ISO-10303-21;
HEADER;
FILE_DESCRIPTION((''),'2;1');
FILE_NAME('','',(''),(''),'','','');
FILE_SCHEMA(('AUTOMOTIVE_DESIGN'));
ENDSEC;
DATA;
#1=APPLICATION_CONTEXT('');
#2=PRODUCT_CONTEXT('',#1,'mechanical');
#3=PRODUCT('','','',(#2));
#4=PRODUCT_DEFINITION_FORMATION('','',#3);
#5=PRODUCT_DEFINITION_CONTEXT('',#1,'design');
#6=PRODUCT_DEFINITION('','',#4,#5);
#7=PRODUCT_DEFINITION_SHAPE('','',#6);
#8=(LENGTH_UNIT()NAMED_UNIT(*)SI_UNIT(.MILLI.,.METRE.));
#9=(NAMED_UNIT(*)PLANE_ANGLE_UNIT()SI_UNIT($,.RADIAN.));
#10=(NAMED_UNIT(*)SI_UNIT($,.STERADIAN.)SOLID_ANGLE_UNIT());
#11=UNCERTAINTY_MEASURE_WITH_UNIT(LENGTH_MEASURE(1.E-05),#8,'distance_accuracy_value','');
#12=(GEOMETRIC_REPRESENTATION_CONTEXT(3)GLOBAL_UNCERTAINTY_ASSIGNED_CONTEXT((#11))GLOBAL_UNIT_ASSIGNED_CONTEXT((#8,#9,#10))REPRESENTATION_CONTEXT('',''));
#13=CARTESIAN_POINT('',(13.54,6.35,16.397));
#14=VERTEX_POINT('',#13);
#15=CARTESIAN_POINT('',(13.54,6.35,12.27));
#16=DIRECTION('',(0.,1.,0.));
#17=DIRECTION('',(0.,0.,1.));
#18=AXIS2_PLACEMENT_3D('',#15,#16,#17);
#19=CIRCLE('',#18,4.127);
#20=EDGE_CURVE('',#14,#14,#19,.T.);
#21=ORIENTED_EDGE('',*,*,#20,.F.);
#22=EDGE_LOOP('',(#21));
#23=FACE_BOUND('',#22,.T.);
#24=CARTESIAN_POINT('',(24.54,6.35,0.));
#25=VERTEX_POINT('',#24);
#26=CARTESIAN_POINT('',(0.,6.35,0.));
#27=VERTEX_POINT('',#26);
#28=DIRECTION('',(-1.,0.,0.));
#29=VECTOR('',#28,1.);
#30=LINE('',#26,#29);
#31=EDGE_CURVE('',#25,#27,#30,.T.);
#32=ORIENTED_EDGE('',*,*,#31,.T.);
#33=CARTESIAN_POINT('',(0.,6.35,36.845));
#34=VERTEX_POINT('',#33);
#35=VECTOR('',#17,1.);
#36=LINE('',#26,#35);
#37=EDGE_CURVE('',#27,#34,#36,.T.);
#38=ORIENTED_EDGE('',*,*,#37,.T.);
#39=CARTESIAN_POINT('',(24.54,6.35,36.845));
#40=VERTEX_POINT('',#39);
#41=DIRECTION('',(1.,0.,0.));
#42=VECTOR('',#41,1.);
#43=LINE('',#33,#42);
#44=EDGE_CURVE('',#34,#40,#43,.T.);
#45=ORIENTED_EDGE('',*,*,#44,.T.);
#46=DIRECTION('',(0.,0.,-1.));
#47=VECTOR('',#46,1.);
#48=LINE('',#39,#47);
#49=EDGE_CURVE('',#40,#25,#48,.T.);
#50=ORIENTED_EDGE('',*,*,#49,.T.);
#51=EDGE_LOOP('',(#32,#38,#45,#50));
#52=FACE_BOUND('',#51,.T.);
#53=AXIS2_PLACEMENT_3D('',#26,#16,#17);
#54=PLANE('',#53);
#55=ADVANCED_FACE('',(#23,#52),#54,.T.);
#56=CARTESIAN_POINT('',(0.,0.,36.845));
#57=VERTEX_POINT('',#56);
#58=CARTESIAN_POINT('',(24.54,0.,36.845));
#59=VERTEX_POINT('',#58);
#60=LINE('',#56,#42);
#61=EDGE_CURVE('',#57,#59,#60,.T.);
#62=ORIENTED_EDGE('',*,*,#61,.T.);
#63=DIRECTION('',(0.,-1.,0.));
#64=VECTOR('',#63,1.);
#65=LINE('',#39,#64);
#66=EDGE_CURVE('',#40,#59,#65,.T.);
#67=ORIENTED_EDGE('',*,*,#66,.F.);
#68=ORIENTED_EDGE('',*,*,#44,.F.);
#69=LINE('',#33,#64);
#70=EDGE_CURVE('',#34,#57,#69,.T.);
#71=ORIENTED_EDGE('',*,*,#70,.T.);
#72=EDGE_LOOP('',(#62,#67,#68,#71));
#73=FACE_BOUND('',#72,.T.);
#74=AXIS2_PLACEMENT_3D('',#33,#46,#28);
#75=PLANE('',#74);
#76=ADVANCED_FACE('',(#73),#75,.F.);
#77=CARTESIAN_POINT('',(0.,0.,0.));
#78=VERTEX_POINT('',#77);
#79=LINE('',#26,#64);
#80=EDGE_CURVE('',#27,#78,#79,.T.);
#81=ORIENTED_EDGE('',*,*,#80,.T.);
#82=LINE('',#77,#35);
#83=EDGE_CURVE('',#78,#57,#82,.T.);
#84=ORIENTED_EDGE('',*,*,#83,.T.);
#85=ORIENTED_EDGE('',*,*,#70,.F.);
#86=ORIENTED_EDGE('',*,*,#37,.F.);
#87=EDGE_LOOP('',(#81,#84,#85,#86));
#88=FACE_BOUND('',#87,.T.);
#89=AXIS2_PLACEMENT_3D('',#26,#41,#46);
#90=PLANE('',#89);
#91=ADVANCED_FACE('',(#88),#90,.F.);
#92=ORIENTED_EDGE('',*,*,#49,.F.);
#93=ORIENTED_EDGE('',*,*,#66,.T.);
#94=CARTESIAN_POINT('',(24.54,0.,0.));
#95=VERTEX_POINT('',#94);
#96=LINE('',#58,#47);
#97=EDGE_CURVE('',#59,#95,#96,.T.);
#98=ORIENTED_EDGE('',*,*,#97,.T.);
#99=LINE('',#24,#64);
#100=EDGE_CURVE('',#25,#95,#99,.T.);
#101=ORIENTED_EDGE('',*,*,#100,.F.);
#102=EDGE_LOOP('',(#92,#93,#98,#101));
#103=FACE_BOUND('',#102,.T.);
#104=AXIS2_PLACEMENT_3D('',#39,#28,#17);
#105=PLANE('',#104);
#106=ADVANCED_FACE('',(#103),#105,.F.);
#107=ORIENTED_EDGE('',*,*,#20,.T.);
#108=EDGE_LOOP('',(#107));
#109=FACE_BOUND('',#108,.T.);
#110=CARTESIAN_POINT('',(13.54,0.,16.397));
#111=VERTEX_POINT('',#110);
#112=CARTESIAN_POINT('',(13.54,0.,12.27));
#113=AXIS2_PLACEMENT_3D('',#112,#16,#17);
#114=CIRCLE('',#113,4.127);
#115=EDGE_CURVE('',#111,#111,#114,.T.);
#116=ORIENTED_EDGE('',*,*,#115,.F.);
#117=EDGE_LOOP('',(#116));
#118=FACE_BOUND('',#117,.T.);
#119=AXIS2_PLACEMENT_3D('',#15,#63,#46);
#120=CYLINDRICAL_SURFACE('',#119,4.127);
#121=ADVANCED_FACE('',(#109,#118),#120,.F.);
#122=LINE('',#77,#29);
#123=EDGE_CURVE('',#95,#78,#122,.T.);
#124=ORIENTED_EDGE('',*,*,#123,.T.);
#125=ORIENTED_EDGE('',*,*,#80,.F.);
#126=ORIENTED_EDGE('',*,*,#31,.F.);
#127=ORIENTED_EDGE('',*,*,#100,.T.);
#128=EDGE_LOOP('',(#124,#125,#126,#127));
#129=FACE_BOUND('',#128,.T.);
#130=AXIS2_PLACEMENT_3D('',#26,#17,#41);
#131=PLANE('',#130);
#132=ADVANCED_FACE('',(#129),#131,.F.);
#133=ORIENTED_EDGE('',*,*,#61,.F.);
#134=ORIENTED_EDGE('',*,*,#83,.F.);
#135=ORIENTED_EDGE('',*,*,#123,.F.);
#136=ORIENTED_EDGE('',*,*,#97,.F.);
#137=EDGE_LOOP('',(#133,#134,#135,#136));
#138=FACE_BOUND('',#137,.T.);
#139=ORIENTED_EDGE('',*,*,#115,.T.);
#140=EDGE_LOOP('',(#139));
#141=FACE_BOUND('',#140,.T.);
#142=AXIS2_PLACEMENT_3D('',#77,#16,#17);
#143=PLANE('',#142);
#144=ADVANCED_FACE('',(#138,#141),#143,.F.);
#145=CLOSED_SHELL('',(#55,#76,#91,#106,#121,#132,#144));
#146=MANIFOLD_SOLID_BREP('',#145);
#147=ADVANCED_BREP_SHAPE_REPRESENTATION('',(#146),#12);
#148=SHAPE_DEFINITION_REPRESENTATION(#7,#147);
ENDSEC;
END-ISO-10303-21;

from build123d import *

# Parameters (mm, degrees)
SKETCH3_W           = 24.539999942
SKETCH3_H           = 36.845
SKETCH3_R           = 4.127
BOSS_EXTRUDE1_DEPTH = 6.35


with BuildPart() as part:
    # Sketch3 → Boss-Extrude1 (new body)
    with BuildSketch(Plane(origin=(0, 0, 0), x_dir=(1, 0, 0), z_dir=(0, 1, 0))):
        with Locations((12.269999971, -18.4225)):
            Rectangle(SKETCH3_W, SKETCH3_H)
        with Locations(Location((13.54, -12.27, 0), (0, 0, 270))):
            Circle(SKETCH3_R, mode=Mode.SUBTRACT)
    extrude(amount=BOSS_EXTRUDE1_DEPTH)


solid = part.part
